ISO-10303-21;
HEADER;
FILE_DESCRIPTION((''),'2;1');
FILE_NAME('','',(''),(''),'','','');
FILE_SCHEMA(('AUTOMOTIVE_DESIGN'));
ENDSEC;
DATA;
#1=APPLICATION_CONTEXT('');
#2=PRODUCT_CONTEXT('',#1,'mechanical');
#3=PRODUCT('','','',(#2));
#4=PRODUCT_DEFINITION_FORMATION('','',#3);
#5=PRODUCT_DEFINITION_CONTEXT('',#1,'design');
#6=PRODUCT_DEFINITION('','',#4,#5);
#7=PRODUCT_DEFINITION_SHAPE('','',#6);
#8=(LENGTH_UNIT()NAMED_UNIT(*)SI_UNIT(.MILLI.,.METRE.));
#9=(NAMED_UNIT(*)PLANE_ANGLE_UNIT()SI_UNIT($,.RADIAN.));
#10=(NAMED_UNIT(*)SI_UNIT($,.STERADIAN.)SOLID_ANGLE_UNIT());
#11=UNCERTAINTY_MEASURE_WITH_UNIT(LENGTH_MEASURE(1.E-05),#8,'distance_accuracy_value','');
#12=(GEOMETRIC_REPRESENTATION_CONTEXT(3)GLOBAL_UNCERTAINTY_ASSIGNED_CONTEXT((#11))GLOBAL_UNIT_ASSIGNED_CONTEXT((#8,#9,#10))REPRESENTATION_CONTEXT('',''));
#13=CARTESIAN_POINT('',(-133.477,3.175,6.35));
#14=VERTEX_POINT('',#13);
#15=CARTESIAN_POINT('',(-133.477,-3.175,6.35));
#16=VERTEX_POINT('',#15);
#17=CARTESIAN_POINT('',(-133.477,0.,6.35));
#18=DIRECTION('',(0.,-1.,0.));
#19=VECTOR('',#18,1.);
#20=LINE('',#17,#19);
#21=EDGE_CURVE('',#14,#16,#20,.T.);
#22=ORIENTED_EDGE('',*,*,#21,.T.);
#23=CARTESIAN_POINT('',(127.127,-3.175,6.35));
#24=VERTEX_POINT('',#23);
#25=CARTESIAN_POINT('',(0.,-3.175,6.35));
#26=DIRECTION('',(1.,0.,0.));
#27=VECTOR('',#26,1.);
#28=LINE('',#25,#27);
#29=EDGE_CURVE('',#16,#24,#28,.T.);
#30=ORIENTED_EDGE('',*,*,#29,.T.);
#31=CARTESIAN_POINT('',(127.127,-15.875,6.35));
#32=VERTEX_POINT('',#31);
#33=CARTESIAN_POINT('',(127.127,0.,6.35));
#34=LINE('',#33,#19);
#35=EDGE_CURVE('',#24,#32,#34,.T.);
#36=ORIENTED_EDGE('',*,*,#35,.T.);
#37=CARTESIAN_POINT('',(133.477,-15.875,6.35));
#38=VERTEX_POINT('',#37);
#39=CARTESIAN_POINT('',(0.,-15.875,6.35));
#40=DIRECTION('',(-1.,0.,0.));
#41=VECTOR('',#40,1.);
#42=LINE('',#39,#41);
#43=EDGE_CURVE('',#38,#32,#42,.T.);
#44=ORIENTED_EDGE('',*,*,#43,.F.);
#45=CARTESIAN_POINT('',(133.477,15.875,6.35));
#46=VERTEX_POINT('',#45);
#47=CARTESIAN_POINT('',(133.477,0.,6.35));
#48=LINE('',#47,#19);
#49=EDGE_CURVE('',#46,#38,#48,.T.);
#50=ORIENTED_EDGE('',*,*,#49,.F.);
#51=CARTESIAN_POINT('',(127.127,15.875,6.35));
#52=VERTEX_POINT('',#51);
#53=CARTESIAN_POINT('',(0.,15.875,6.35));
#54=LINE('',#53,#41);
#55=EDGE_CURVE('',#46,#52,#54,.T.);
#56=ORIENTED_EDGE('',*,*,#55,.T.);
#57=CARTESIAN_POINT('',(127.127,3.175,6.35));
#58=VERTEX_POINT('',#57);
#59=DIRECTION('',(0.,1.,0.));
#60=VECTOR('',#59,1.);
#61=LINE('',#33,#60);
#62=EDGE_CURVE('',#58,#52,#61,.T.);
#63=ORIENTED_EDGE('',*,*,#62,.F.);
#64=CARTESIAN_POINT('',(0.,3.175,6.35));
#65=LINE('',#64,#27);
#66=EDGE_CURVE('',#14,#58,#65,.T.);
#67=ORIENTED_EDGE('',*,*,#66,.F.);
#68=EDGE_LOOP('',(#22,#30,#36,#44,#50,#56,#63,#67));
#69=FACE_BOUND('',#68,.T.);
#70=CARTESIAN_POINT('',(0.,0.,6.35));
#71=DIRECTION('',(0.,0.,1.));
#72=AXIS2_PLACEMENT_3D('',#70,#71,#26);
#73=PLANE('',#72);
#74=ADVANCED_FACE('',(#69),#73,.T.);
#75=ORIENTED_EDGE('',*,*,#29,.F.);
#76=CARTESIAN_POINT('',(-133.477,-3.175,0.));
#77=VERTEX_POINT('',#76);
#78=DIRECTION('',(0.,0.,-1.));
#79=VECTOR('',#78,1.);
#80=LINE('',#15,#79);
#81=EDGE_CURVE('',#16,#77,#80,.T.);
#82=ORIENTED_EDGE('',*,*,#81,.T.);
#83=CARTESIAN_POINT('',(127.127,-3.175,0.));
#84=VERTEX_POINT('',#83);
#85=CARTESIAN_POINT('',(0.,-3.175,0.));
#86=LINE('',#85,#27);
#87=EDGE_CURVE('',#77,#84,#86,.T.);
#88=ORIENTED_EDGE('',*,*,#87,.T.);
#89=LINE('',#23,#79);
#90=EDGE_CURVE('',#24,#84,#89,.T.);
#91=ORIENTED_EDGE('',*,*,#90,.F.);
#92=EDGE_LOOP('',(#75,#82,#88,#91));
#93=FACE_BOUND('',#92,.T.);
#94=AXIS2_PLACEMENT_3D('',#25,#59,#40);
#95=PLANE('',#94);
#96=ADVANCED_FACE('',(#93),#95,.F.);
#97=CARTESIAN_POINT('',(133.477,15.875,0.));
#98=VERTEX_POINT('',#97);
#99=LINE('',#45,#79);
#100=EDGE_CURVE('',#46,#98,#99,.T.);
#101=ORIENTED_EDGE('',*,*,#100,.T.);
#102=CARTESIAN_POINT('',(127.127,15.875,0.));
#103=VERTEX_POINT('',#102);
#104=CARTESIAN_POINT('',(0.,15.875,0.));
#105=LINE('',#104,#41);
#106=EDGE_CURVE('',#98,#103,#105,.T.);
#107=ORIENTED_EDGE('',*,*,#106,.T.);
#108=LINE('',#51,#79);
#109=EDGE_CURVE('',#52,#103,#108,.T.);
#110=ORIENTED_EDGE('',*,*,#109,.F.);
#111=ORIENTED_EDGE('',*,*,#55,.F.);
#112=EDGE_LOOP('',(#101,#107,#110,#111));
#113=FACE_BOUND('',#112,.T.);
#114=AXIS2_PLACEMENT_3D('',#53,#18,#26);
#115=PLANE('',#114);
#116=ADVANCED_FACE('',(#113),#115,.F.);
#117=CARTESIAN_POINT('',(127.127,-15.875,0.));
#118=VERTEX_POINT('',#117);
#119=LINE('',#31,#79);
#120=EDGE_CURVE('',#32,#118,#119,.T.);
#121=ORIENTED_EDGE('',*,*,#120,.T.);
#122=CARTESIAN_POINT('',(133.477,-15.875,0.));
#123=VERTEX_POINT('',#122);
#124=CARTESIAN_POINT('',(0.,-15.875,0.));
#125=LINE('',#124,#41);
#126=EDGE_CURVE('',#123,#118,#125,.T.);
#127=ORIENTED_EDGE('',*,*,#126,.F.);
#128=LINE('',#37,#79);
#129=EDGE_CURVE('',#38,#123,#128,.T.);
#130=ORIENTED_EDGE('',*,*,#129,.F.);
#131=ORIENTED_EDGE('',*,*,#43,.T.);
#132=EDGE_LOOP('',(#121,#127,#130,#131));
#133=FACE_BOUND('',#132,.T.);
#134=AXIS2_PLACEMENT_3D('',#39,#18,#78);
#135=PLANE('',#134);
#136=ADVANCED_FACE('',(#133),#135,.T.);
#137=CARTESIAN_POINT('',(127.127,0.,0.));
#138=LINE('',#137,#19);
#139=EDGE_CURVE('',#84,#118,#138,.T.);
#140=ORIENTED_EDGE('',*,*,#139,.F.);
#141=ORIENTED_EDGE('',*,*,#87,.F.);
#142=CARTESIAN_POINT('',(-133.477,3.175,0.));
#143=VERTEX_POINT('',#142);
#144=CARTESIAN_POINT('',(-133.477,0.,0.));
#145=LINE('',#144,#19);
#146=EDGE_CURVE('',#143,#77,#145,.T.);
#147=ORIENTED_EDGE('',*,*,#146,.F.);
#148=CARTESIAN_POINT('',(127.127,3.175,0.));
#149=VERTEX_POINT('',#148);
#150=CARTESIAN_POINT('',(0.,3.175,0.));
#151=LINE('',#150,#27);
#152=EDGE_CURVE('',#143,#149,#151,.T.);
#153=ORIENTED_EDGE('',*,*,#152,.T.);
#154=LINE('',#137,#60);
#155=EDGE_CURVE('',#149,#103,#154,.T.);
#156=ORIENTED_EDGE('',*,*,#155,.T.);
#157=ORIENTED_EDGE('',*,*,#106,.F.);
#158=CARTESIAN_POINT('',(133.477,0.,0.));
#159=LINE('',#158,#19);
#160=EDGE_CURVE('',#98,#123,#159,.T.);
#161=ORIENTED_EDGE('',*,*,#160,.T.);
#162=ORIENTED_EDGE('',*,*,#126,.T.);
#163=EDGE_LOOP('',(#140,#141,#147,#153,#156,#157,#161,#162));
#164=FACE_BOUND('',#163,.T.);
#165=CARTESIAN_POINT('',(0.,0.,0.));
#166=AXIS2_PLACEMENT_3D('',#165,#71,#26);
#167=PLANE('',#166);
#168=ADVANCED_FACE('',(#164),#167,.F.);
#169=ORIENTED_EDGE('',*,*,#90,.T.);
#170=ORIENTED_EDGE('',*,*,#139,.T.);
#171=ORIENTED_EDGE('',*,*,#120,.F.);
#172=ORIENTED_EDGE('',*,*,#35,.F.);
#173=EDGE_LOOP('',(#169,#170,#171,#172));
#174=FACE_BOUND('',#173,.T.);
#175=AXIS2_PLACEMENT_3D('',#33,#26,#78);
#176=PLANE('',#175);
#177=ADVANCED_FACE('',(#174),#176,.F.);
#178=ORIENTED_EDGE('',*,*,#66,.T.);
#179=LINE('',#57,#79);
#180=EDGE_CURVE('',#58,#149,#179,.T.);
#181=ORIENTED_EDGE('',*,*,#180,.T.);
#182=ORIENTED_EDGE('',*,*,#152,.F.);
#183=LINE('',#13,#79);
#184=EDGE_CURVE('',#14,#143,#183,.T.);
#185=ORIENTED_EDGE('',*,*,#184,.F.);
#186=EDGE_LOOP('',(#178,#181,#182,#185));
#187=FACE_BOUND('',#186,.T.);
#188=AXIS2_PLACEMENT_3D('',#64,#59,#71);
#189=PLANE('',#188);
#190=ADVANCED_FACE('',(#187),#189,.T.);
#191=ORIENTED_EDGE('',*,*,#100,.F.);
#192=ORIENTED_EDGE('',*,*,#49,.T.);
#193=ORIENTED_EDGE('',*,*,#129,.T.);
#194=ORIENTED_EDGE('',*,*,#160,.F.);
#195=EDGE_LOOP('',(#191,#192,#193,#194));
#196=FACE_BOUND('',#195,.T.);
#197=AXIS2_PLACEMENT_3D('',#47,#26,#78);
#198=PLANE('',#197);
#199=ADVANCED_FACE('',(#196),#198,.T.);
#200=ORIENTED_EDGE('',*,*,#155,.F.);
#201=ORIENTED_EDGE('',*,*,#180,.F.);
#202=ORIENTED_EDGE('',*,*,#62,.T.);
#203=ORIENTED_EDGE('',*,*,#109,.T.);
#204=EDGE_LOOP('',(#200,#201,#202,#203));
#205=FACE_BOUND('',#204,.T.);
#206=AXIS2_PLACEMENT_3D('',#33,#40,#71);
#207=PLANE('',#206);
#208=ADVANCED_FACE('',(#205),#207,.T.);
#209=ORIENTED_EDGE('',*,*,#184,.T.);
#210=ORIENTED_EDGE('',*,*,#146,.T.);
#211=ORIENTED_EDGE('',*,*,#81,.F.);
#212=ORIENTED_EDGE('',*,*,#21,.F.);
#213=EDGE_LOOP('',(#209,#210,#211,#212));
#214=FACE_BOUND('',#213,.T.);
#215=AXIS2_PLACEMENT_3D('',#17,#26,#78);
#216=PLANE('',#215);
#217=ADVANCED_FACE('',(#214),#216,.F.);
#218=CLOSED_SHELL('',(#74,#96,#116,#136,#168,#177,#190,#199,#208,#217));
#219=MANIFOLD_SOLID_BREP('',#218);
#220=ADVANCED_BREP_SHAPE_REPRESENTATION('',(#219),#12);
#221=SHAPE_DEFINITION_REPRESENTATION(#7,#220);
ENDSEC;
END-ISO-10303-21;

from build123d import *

# Parameters (mm, degrees)
SKETCH1_W           = 266.954
SKETCH1_H           = 6.35
SKETCH1_W_2         = 6.35
SKETCH1_H_2         = 12.7
BOSS_EXTRUDE1_DEPTH = 6.35


with BuildPart() as part:
    # Sketch1 → Boss-Extrude1 (new body)
    with BuildSketch(Plane.XY):
        Rectangle(SKETCH1_W, SKETCH1_H)
        with Locations((130.302, 9.525)):
            Rectangle(SKETCH1_W_2, SKETCH1_H_2)
        with Locations((130.302, -9.525)):
            Rectangle(SKETCH1_W_2, SKETCH1_H_2)
    extrude(amount=BOSS_EXTRUDE1_DEPTH)


solid = part.part
